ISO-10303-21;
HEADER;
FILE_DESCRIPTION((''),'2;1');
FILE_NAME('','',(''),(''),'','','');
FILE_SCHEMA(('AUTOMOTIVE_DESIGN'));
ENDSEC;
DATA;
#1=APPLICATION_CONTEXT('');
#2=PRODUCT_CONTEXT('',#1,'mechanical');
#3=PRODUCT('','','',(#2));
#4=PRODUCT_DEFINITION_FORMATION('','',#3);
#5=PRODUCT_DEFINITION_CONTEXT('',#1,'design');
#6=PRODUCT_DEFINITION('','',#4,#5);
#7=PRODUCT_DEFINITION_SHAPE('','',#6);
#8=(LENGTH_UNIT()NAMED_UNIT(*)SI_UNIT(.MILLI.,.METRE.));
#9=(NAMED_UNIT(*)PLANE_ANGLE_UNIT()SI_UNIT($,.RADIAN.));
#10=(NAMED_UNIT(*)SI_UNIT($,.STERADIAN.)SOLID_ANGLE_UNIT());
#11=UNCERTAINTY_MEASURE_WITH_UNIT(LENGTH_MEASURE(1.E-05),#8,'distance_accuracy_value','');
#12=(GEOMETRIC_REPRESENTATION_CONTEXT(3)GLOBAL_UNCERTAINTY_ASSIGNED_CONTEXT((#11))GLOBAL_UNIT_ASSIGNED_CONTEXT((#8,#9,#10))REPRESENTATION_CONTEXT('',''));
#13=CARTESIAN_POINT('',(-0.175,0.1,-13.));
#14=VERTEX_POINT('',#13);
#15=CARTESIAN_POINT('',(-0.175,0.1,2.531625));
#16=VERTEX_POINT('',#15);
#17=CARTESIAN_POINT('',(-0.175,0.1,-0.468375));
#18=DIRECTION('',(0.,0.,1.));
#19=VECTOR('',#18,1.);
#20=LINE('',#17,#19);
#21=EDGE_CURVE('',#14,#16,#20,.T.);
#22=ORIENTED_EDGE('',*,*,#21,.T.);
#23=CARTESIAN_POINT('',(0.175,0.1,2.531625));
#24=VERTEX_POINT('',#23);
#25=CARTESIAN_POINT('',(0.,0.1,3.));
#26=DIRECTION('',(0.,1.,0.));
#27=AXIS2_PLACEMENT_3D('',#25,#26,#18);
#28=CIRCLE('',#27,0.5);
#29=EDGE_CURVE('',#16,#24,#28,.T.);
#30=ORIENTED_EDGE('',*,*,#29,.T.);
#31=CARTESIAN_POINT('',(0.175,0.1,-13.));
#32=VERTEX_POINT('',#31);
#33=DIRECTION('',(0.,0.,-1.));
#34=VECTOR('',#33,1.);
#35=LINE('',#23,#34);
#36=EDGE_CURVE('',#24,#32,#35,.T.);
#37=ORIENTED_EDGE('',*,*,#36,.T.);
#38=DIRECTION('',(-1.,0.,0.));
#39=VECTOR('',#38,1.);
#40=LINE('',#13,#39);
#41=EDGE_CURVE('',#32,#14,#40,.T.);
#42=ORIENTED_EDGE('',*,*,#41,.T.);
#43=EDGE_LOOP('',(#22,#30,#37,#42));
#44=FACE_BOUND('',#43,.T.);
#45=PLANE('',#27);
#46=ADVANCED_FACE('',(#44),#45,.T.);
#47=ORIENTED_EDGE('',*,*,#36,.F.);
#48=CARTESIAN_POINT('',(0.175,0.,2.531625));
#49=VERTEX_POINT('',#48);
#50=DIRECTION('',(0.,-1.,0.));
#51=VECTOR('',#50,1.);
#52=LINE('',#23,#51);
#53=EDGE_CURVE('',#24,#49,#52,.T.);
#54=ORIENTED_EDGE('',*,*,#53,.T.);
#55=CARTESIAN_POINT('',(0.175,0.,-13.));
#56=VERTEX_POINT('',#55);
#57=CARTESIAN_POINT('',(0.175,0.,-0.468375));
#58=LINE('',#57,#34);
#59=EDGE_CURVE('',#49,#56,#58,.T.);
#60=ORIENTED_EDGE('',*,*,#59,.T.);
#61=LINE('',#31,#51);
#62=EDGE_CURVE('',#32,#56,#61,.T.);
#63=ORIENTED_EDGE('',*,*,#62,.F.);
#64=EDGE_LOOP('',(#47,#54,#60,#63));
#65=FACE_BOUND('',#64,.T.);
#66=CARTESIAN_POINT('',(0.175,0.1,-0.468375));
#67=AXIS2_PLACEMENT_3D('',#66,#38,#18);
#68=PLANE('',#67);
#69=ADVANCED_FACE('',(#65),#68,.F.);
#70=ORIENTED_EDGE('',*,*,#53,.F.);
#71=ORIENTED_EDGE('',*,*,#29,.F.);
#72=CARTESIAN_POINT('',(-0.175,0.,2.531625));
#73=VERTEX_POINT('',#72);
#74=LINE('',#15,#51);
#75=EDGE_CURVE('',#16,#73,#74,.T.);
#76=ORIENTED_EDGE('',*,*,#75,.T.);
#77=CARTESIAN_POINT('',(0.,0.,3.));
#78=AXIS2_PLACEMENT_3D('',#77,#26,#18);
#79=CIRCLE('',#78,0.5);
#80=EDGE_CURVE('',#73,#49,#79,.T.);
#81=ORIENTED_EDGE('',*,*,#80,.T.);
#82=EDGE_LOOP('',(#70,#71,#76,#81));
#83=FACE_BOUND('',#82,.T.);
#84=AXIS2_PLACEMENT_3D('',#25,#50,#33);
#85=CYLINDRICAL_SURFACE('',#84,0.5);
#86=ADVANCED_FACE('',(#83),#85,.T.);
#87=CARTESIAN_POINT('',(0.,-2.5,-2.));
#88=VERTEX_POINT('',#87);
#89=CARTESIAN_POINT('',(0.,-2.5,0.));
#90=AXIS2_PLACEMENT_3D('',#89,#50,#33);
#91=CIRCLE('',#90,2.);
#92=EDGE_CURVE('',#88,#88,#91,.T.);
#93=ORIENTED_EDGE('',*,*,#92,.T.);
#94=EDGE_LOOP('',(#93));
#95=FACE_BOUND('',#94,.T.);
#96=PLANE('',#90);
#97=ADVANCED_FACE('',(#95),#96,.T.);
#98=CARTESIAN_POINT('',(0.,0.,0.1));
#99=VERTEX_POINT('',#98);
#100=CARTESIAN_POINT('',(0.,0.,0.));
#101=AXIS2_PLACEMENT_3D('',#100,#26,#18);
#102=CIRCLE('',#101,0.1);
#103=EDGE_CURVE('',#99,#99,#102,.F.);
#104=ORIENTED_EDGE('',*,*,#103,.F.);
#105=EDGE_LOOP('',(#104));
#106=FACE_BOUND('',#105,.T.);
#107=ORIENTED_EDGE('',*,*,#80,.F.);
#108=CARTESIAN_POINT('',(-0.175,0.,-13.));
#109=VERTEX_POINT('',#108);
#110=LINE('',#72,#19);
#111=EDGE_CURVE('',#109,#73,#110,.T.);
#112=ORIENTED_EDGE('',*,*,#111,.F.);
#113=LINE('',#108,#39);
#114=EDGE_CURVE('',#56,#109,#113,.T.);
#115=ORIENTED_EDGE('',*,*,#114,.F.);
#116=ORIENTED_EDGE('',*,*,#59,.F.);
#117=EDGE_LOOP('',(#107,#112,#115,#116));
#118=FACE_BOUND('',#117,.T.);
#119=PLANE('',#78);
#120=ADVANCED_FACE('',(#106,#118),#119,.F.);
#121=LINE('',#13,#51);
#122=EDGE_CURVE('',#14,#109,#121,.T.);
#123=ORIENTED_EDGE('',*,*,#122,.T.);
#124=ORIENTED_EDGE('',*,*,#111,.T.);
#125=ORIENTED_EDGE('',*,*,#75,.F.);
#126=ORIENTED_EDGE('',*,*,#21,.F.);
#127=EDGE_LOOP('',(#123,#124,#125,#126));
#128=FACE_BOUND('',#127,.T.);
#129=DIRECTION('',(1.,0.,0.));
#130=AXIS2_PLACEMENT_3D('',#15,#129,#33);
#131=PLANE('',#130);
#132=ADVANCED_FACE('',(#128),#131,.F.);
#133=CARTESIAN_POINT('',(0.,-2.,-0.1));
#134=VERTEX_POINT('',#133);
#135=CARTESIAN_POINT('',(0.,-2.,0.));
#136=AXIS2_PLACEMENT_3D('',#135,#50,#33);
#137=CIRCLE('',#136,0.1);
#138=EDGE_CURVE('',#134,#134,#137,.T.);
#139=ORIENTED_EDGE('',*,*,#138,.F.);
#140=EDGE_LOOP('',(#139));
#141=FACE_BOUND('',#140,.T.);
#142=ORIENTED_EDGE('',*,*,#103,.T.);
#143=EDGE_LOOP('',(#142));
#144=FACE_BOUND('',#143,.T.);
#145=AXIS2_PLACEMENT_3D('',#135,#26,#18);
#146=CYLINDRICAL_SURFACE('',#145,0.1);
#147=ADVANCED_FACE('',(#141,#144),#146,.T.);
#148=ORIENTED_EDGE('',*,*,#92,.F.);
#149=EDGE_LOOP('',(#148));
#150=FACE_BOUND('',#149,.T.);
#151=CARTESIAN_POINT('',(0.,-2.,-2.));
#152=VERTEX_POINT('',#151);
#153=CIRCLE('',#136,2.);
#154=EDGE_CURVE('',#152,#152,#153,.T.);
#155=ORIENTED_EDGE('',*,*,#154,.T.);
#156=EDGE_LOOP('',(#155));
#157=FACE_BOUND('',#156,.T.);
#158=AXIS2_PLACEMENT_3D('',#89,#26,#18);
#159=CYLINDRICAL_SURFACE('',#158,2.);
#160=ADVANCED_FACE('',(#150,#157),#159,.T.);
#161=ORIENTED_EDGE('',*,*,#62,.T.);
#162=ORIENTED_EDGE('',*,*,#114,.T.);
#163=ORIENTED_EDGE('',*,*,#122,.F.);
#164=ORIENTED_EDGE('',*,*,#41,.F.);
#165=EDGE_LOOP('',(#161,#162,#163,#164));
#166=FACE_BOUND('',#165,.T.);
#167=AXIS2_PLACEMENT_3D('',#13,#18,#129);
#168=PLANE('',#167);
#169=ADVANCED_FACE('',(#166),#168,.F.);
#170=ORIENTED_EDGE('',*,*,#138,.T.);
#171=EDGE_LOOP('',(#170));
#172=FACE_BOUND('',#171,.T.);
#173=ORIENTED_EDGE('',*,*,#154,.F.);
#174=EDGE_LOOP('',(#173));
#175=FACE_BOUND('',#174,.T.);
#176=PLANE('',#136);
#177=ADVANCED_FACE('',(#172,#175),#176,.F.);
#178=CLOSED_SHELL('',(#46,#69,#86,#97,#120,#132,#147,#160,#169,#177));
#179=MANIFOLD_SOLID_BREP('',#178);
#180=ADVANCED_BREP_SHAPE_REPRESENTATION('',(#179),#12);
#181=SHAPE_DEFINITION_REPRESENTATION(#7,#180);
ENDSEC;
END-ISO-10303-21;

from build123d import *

# Parameters (mm, degrees)
BOSS_EXTRUDE1_DEPTH = 0.1
SKETCH2_R           = 0.1
BOSS_EXTRUDE2_DEPTH = 2
SKETCH3_R           = 2
BOSS_EXTRUDE3_DEPTH = 0.5


with BuildPart() as part:
    # Sketch1 → Boss-Extrude1 (new body)
    with BuildSketch(Plane(origin=(0, 0, 0), x_dir=(1, 0, 0), z_dir=(0, 1, 0))):
        with BuildLine():
            Line((-0.175, 0.46837485), (-0.175, 13))
            Line((-0.175, 13), (0.175, 13))
            Line((0.175, 13), (0.175, 0.46837485))
            Line((0.175, 0.46837485), (0.175, -0.46837485))
            Line((0.175, -0.46837485), (0.175, -2.53162515))
            ThreePointArc((0.175, -2.53162515), (0, -3.5), (-0.175, -2.53162515))
            Line((-0.175, -2.53162515), (-0.175, -0.46837485))
            Line((-0.175, -0.46837485), (-0.175, 0.46837485))
        make_face()
    extrude(amount=BOSS_EXTRUDE1_DEPTH)

    # Sketch2 → Boss-Extrude2 (add)
    with BuildSketch(Plane.XZ):
        Circle(SKETCH2_R)
    extrude(amount=BOSS_EXTRUDE2_DEPTH)

    # Sketch3 → Boss-Extrude3 (add)
    with BuildSketch(Plane.XZ.offset(2)):
        Circle(SKETCH3_R)
    extrude(amount=BOSS_EXTRUDE3_DEPTH)


solid = part.part
